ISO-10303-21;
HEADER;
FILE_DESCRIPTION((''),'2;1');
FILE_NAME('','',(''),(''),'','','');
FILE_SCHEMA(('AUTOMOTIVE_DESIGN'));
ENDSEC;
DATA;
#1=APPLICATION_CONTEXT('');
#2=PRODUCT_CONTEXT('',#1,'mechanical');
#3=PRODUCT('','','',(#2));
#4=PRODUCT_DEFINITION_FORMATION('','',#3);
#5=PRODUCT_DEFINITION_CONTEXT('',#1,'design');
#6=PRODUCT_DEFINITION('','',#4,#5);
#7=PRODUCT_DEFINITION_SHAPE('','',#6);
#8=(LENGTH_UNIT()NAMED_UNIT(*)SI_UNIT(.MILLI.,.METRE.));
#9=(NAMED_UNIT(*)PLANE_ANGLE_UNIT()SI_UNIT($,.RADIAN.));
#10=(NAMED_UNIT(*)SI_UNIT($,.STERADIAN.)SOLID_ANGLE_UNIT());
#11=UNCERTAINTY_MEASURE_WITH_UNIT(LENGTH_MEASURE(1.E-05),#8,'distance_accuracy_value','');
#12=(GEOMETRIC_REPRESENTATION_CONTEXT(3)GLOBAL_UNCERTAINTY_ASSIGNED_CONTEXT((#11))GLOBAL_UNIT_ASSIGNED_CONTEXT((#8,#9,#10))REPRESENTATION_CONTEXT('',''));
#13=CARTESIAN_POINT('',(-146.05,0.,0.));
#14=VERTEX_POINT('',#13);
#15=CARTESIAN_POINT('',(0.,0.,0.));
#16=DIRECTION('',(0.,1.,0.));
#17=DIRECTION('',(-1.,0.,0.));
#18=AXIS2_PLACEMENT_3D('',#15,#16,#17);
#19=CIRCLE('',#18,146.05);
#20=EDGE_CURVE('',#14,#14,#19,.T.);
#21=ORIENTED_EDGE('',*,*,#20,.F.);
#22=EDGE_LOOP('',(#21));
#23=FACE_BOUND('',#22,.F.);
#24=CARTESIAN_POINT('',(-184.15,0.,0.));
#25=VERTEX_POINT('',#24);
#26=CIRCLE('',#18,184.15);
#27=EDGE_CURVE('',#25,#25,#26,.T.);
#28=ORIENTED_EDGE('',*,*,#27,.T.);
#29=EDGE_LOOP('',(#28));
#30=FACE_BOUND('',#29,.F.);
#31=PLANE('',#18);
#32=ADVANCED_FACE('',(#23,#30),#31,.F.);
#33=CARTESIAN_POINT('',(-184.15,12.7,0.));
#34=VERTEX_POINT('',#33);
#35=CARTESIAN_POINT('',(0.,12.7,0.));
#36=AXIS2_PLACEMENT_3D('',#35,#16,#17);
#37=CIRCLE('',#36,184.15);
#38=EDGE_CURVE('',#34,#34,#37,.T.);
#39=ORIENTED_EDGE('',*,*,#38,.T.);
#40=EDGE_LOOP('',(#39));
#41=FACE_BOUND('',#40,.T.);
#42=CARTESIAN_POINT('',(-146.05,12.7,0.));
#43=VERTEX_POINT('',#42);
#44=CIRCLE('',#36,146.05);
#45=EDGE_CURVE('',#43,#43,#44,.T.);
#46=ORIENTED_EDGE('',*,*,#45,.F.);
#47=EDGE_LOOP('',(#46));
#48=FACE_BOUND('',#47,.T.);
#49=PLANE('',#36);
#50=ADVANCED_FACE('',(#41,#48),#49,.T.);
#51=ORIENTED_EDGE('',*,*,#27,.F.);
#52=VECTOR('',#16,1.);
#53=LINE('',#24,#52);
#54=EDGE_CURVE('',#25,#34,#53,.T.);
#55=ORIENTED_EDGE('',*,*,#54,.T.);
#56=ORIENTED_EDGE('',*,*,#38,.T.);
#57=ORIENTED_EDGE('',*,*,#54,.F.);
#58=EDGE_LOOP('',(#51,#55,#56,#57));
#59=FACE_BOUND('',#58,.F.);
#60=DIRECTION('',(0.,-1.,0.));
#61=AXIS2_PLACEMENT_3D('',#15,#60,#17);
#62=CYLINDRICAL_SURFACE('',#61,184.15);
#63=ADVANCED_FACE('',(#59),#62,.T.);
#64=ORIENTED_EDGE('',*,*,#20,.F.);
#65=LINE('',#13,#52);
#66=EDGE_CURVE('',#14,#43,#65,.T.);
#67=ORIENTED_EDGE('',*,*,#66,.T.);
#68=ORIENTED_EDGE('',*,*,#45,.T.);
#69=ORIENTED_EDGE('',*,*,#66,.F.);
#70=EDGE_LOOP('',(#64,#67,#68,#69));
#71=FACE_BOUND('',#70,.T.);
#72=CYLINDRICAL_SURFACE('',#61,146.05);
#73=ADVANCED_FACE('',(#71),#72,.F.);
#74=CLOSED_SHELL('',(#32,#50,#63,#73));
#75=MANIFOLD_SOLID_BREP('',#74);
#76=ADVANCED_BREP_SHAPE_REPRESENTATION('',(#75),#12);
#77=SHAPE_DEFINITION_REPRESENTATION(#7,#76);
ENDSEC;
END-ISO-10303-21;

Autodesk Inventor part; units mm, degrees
ref_plane "YZ Plane" through (0, 0, 0) normal (1, 0, 0) x (0, 1, 0)
ref_plane "XZ Plane" through (0, 0, 0) normal (0, 1, 0) x (-1, 0, 0)
ref_plane "XY Plane" through (0, 0, 0) normal (0, 0, 1) x (1, 0, 0)
sketch "Sketch1" plane through (0, 0, 0) normal (0, 1, 0) x (-1, 0, 0)
  circle A0 centre (0, 0) radius 146.05
  circle A1 centre (0, 0) radius 184.15
  dimension "camInsideDiameter" = 292.1
  dimension "d1" = 368.3
extrude "Extrusion1" add sketch "Sketch1" along normal blind 12.7
sketch "Sketch4" plane through (147.2071, 12.7, 39.444) normal (0.7357, 0, -0.6773) x (0, 1, 0)
  circle A0 centre (0, 0) radius 3.175
  point P0 (-12.7, -128.725)
  dimension "d9" = 6.35
sketch "Sketch2" plane through (0, 12.7, 0) normal (0, 1, 0) x (1, 0, 0)
  circle A0 centre (0, 0) radius 146.05 construction
  circle A1 centre (0, 0) radius 184.15 construction
  line L0 (0, 0) -> (147.2071, -39.444) construction
  line L1 (0, 0) -> (184.15, 0) construction
  line L2 (0, 0) -> (147.2071, 39.444) construction
  line L3 (147.2071, -39.444) -> (173.1094, -15.5967)
  line L4 (147.2071, 39.444) -> (173.1094, 15.5967)
  arc A2 (173.1094, -15.5967) -> (173.1094, 15.5967) centre (158.75, 0) ccw
  dimension "oneHalfPhase" = 15
  dimension "d5" = 15
  dimension "innerRadiusForCam" = 152.4
  dimension "innerRadisuForCam" = 152.4
  dimension "d12" = 158.75
sketch "Sketch7" plane through (0, 12.7, 0) normal (0, 1, 0) x (1, 0, 0)
  circle A0 centre (0, 0) radius 153.9875
  circle A1 centre (0, 0) radius 174.625
  line L0 (0, 0) -> (184.15, 0) construction
  circle A2 centre (0, 0) radius 184.15 construction
  line L1 (0, 0) -> (177.8752, 47.6615) construction
  arc A3 (174.625, 0) -> (148.7405, 39.8549) centre (134.2536, 2.1131) ccw
  arc A4 (148.7405, -39.8549) -> (174.625, 0) centre (134.2536, -2.1131) ccw
  dimension "d13" = 349.25
  dimension "d14" = 307.975
  dimension "d15" = 15
equation "\"d5\" = oneHalfPhase"
equation "\"innerRadiusForCam\" = innerRadisuForCam"
properties part number "DiskCam" material "PC/ABS Plastic"
